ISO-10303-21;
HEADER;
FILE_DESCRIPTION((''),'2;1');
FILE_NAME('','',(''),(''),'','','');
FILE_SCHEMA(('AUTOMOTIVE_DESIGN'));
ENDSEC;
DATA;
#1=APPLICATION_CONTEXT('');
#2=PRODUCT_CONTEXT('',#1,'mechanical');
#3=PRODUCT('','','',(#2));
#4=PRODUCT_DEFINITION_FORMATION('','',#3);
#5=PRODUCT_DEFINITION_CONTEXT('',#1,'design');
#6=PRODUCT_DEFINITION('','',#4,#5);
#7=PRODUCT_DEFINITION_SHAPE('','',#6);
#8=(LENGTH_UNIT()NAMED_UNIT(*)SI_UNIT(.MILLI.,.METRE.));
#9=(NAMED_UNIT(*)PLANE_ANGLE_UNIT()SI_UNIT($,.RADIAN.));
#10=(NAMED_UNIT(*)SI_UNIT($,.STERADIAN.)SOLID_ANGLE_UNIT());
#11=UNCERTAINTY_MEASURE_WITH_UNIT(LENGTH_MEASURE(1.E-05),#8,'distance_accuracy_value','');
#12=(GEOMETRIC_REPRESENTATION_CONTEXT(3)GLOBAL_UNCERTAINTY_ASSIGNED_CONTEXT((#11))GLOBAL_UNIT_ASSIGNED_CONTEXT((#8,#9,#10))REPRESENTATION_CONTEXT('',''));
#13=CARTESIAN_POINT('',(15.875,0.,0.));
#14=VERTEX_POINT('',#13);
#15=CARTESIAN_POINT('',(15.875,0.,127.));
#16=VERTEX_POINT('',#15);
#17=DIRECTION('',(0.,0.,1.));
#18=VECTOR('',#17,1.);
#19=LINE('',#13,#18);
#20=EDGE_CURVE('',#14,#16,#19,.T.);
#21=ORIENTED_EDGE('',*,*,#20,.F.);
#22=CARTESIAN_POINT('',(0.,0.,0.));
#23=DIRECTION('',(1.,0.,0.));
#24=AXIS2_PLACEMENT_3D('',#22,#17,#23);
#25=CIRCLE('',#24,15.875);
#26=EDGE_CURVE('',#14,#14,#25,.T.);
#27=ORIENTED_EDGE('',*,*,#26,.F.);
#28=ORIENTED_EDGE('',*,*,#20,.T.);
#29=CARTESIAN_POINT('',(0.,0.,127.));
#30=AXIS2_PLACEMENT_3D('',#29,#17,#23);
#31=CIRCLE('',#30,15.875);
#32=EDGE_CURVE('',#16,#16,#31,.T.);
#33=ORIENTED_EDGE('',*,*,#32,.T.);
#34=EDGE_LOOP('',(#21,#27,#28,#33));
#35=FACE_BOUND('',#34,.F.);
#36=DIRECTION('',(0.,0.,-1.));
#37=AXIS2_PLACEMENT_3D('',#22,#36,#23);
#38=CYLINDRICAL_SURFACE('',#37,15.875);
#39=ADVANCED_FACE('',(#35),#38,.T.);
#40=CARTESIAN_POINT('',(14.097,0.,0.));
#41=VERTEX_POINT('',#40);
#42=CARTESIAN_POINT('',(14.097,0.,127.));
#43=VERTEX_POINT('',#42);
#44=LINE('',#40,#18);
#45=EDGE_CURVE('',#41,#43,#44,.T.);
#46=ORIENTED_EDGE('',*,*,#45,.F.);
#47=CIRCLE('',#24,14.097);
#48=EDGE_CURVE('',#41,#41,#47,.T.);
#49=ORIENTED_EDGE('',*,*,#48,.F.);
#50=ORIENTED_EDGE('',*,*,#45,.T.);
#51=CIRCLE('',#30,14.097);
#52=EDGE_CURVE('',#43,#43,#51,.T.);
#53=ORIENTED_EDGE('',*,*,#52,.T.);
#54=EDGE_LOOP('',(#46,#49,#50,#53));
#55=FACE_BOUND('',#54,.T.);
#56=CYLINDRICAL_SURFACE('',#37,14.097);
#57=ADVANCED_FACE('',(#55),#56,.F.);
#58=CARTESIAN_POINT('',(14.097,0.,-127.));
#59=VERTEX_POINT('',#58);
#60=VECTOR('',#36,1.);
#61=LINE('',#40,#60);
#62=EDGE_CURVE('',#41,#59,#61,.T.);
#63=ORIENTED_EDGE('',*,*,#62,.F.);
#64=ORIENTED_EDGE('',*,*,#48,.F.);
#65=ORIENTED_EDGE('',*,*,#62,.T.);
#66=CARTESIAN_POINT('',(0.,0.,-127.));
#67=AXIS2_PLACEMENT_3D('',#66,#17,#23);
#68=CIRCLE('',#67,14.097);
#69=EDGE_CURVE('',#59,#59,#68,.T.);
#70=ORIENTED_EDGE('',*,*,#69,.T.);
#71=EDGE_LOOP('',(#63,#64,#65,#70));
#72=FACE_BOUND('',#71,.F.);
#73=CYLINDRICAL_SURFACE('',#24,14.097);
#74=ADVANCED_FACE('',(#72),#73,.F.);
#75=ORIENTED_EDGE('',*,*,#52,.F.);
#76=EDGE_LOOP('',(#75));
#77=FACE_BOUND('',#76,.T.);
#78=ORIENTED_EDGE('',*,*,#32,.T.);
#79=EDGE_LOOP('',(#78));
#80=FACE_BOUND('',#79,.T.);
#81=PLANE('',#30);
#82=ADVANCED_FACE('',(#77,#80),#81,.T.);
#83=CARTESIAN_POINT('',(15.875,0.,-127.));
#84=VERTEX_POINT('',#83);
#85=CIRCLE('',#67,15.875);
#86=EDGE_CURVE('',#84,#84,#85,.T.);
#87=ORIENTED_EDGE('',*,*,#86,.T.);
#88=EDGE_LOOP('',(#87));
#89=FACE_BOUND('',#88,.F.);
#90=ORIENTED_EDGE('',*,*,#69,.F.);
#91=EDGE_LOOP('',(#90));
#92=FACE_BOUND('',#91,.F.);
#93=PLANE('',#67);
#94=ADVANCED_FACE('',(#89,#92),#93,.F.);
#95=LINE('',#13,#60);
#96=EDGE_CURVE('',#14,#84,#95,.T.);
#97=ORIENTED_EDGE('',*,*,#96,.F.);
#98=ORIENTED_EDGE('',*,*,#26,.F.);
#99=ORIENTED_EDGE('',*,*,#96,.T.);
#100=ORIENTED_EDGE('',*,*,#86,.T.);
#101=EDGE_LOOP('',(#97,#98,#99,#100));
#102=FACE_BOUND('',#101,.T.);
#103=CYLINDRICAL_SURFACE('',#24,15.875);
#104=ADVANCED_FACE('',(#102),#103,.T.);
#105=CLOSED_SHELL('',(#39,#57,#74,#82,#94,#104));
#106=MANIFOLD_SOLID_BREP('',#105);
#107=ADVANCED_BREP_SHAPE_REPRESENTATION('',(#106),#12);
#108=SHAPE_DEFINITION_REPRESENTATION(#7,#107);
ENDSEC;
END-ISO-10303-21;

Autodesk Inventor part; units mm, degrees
ref_plane "YZ Plane" through (0, 0, 0) normal (1, 0, 0) x (0, 1, 0)
ref_plane "XZ Plane" through (0, 0, 0) normal (0, 1, 0) x (-1, 0, 0)
ref_plane "XY Plane" through (0, 0, 0) normal (0, 0, 1) x (1, 0, 0)
sketch "Sketch2" plane through (0, 0, 0) normal (0, 0, 1) x (1, 0, 0)
  circle A0 centre (0, 0) radius 15.875
  circle A1 centre (0, 0) radius 14.097
  dimension "d0" = 31.75
  dimension "d1" = 1.778
extrude "Extrusion1" add sketch "Sketch2" along normal mid plane 254
properties part number "TUBE,AXLE,ARM" material "Aluminum 6061"
